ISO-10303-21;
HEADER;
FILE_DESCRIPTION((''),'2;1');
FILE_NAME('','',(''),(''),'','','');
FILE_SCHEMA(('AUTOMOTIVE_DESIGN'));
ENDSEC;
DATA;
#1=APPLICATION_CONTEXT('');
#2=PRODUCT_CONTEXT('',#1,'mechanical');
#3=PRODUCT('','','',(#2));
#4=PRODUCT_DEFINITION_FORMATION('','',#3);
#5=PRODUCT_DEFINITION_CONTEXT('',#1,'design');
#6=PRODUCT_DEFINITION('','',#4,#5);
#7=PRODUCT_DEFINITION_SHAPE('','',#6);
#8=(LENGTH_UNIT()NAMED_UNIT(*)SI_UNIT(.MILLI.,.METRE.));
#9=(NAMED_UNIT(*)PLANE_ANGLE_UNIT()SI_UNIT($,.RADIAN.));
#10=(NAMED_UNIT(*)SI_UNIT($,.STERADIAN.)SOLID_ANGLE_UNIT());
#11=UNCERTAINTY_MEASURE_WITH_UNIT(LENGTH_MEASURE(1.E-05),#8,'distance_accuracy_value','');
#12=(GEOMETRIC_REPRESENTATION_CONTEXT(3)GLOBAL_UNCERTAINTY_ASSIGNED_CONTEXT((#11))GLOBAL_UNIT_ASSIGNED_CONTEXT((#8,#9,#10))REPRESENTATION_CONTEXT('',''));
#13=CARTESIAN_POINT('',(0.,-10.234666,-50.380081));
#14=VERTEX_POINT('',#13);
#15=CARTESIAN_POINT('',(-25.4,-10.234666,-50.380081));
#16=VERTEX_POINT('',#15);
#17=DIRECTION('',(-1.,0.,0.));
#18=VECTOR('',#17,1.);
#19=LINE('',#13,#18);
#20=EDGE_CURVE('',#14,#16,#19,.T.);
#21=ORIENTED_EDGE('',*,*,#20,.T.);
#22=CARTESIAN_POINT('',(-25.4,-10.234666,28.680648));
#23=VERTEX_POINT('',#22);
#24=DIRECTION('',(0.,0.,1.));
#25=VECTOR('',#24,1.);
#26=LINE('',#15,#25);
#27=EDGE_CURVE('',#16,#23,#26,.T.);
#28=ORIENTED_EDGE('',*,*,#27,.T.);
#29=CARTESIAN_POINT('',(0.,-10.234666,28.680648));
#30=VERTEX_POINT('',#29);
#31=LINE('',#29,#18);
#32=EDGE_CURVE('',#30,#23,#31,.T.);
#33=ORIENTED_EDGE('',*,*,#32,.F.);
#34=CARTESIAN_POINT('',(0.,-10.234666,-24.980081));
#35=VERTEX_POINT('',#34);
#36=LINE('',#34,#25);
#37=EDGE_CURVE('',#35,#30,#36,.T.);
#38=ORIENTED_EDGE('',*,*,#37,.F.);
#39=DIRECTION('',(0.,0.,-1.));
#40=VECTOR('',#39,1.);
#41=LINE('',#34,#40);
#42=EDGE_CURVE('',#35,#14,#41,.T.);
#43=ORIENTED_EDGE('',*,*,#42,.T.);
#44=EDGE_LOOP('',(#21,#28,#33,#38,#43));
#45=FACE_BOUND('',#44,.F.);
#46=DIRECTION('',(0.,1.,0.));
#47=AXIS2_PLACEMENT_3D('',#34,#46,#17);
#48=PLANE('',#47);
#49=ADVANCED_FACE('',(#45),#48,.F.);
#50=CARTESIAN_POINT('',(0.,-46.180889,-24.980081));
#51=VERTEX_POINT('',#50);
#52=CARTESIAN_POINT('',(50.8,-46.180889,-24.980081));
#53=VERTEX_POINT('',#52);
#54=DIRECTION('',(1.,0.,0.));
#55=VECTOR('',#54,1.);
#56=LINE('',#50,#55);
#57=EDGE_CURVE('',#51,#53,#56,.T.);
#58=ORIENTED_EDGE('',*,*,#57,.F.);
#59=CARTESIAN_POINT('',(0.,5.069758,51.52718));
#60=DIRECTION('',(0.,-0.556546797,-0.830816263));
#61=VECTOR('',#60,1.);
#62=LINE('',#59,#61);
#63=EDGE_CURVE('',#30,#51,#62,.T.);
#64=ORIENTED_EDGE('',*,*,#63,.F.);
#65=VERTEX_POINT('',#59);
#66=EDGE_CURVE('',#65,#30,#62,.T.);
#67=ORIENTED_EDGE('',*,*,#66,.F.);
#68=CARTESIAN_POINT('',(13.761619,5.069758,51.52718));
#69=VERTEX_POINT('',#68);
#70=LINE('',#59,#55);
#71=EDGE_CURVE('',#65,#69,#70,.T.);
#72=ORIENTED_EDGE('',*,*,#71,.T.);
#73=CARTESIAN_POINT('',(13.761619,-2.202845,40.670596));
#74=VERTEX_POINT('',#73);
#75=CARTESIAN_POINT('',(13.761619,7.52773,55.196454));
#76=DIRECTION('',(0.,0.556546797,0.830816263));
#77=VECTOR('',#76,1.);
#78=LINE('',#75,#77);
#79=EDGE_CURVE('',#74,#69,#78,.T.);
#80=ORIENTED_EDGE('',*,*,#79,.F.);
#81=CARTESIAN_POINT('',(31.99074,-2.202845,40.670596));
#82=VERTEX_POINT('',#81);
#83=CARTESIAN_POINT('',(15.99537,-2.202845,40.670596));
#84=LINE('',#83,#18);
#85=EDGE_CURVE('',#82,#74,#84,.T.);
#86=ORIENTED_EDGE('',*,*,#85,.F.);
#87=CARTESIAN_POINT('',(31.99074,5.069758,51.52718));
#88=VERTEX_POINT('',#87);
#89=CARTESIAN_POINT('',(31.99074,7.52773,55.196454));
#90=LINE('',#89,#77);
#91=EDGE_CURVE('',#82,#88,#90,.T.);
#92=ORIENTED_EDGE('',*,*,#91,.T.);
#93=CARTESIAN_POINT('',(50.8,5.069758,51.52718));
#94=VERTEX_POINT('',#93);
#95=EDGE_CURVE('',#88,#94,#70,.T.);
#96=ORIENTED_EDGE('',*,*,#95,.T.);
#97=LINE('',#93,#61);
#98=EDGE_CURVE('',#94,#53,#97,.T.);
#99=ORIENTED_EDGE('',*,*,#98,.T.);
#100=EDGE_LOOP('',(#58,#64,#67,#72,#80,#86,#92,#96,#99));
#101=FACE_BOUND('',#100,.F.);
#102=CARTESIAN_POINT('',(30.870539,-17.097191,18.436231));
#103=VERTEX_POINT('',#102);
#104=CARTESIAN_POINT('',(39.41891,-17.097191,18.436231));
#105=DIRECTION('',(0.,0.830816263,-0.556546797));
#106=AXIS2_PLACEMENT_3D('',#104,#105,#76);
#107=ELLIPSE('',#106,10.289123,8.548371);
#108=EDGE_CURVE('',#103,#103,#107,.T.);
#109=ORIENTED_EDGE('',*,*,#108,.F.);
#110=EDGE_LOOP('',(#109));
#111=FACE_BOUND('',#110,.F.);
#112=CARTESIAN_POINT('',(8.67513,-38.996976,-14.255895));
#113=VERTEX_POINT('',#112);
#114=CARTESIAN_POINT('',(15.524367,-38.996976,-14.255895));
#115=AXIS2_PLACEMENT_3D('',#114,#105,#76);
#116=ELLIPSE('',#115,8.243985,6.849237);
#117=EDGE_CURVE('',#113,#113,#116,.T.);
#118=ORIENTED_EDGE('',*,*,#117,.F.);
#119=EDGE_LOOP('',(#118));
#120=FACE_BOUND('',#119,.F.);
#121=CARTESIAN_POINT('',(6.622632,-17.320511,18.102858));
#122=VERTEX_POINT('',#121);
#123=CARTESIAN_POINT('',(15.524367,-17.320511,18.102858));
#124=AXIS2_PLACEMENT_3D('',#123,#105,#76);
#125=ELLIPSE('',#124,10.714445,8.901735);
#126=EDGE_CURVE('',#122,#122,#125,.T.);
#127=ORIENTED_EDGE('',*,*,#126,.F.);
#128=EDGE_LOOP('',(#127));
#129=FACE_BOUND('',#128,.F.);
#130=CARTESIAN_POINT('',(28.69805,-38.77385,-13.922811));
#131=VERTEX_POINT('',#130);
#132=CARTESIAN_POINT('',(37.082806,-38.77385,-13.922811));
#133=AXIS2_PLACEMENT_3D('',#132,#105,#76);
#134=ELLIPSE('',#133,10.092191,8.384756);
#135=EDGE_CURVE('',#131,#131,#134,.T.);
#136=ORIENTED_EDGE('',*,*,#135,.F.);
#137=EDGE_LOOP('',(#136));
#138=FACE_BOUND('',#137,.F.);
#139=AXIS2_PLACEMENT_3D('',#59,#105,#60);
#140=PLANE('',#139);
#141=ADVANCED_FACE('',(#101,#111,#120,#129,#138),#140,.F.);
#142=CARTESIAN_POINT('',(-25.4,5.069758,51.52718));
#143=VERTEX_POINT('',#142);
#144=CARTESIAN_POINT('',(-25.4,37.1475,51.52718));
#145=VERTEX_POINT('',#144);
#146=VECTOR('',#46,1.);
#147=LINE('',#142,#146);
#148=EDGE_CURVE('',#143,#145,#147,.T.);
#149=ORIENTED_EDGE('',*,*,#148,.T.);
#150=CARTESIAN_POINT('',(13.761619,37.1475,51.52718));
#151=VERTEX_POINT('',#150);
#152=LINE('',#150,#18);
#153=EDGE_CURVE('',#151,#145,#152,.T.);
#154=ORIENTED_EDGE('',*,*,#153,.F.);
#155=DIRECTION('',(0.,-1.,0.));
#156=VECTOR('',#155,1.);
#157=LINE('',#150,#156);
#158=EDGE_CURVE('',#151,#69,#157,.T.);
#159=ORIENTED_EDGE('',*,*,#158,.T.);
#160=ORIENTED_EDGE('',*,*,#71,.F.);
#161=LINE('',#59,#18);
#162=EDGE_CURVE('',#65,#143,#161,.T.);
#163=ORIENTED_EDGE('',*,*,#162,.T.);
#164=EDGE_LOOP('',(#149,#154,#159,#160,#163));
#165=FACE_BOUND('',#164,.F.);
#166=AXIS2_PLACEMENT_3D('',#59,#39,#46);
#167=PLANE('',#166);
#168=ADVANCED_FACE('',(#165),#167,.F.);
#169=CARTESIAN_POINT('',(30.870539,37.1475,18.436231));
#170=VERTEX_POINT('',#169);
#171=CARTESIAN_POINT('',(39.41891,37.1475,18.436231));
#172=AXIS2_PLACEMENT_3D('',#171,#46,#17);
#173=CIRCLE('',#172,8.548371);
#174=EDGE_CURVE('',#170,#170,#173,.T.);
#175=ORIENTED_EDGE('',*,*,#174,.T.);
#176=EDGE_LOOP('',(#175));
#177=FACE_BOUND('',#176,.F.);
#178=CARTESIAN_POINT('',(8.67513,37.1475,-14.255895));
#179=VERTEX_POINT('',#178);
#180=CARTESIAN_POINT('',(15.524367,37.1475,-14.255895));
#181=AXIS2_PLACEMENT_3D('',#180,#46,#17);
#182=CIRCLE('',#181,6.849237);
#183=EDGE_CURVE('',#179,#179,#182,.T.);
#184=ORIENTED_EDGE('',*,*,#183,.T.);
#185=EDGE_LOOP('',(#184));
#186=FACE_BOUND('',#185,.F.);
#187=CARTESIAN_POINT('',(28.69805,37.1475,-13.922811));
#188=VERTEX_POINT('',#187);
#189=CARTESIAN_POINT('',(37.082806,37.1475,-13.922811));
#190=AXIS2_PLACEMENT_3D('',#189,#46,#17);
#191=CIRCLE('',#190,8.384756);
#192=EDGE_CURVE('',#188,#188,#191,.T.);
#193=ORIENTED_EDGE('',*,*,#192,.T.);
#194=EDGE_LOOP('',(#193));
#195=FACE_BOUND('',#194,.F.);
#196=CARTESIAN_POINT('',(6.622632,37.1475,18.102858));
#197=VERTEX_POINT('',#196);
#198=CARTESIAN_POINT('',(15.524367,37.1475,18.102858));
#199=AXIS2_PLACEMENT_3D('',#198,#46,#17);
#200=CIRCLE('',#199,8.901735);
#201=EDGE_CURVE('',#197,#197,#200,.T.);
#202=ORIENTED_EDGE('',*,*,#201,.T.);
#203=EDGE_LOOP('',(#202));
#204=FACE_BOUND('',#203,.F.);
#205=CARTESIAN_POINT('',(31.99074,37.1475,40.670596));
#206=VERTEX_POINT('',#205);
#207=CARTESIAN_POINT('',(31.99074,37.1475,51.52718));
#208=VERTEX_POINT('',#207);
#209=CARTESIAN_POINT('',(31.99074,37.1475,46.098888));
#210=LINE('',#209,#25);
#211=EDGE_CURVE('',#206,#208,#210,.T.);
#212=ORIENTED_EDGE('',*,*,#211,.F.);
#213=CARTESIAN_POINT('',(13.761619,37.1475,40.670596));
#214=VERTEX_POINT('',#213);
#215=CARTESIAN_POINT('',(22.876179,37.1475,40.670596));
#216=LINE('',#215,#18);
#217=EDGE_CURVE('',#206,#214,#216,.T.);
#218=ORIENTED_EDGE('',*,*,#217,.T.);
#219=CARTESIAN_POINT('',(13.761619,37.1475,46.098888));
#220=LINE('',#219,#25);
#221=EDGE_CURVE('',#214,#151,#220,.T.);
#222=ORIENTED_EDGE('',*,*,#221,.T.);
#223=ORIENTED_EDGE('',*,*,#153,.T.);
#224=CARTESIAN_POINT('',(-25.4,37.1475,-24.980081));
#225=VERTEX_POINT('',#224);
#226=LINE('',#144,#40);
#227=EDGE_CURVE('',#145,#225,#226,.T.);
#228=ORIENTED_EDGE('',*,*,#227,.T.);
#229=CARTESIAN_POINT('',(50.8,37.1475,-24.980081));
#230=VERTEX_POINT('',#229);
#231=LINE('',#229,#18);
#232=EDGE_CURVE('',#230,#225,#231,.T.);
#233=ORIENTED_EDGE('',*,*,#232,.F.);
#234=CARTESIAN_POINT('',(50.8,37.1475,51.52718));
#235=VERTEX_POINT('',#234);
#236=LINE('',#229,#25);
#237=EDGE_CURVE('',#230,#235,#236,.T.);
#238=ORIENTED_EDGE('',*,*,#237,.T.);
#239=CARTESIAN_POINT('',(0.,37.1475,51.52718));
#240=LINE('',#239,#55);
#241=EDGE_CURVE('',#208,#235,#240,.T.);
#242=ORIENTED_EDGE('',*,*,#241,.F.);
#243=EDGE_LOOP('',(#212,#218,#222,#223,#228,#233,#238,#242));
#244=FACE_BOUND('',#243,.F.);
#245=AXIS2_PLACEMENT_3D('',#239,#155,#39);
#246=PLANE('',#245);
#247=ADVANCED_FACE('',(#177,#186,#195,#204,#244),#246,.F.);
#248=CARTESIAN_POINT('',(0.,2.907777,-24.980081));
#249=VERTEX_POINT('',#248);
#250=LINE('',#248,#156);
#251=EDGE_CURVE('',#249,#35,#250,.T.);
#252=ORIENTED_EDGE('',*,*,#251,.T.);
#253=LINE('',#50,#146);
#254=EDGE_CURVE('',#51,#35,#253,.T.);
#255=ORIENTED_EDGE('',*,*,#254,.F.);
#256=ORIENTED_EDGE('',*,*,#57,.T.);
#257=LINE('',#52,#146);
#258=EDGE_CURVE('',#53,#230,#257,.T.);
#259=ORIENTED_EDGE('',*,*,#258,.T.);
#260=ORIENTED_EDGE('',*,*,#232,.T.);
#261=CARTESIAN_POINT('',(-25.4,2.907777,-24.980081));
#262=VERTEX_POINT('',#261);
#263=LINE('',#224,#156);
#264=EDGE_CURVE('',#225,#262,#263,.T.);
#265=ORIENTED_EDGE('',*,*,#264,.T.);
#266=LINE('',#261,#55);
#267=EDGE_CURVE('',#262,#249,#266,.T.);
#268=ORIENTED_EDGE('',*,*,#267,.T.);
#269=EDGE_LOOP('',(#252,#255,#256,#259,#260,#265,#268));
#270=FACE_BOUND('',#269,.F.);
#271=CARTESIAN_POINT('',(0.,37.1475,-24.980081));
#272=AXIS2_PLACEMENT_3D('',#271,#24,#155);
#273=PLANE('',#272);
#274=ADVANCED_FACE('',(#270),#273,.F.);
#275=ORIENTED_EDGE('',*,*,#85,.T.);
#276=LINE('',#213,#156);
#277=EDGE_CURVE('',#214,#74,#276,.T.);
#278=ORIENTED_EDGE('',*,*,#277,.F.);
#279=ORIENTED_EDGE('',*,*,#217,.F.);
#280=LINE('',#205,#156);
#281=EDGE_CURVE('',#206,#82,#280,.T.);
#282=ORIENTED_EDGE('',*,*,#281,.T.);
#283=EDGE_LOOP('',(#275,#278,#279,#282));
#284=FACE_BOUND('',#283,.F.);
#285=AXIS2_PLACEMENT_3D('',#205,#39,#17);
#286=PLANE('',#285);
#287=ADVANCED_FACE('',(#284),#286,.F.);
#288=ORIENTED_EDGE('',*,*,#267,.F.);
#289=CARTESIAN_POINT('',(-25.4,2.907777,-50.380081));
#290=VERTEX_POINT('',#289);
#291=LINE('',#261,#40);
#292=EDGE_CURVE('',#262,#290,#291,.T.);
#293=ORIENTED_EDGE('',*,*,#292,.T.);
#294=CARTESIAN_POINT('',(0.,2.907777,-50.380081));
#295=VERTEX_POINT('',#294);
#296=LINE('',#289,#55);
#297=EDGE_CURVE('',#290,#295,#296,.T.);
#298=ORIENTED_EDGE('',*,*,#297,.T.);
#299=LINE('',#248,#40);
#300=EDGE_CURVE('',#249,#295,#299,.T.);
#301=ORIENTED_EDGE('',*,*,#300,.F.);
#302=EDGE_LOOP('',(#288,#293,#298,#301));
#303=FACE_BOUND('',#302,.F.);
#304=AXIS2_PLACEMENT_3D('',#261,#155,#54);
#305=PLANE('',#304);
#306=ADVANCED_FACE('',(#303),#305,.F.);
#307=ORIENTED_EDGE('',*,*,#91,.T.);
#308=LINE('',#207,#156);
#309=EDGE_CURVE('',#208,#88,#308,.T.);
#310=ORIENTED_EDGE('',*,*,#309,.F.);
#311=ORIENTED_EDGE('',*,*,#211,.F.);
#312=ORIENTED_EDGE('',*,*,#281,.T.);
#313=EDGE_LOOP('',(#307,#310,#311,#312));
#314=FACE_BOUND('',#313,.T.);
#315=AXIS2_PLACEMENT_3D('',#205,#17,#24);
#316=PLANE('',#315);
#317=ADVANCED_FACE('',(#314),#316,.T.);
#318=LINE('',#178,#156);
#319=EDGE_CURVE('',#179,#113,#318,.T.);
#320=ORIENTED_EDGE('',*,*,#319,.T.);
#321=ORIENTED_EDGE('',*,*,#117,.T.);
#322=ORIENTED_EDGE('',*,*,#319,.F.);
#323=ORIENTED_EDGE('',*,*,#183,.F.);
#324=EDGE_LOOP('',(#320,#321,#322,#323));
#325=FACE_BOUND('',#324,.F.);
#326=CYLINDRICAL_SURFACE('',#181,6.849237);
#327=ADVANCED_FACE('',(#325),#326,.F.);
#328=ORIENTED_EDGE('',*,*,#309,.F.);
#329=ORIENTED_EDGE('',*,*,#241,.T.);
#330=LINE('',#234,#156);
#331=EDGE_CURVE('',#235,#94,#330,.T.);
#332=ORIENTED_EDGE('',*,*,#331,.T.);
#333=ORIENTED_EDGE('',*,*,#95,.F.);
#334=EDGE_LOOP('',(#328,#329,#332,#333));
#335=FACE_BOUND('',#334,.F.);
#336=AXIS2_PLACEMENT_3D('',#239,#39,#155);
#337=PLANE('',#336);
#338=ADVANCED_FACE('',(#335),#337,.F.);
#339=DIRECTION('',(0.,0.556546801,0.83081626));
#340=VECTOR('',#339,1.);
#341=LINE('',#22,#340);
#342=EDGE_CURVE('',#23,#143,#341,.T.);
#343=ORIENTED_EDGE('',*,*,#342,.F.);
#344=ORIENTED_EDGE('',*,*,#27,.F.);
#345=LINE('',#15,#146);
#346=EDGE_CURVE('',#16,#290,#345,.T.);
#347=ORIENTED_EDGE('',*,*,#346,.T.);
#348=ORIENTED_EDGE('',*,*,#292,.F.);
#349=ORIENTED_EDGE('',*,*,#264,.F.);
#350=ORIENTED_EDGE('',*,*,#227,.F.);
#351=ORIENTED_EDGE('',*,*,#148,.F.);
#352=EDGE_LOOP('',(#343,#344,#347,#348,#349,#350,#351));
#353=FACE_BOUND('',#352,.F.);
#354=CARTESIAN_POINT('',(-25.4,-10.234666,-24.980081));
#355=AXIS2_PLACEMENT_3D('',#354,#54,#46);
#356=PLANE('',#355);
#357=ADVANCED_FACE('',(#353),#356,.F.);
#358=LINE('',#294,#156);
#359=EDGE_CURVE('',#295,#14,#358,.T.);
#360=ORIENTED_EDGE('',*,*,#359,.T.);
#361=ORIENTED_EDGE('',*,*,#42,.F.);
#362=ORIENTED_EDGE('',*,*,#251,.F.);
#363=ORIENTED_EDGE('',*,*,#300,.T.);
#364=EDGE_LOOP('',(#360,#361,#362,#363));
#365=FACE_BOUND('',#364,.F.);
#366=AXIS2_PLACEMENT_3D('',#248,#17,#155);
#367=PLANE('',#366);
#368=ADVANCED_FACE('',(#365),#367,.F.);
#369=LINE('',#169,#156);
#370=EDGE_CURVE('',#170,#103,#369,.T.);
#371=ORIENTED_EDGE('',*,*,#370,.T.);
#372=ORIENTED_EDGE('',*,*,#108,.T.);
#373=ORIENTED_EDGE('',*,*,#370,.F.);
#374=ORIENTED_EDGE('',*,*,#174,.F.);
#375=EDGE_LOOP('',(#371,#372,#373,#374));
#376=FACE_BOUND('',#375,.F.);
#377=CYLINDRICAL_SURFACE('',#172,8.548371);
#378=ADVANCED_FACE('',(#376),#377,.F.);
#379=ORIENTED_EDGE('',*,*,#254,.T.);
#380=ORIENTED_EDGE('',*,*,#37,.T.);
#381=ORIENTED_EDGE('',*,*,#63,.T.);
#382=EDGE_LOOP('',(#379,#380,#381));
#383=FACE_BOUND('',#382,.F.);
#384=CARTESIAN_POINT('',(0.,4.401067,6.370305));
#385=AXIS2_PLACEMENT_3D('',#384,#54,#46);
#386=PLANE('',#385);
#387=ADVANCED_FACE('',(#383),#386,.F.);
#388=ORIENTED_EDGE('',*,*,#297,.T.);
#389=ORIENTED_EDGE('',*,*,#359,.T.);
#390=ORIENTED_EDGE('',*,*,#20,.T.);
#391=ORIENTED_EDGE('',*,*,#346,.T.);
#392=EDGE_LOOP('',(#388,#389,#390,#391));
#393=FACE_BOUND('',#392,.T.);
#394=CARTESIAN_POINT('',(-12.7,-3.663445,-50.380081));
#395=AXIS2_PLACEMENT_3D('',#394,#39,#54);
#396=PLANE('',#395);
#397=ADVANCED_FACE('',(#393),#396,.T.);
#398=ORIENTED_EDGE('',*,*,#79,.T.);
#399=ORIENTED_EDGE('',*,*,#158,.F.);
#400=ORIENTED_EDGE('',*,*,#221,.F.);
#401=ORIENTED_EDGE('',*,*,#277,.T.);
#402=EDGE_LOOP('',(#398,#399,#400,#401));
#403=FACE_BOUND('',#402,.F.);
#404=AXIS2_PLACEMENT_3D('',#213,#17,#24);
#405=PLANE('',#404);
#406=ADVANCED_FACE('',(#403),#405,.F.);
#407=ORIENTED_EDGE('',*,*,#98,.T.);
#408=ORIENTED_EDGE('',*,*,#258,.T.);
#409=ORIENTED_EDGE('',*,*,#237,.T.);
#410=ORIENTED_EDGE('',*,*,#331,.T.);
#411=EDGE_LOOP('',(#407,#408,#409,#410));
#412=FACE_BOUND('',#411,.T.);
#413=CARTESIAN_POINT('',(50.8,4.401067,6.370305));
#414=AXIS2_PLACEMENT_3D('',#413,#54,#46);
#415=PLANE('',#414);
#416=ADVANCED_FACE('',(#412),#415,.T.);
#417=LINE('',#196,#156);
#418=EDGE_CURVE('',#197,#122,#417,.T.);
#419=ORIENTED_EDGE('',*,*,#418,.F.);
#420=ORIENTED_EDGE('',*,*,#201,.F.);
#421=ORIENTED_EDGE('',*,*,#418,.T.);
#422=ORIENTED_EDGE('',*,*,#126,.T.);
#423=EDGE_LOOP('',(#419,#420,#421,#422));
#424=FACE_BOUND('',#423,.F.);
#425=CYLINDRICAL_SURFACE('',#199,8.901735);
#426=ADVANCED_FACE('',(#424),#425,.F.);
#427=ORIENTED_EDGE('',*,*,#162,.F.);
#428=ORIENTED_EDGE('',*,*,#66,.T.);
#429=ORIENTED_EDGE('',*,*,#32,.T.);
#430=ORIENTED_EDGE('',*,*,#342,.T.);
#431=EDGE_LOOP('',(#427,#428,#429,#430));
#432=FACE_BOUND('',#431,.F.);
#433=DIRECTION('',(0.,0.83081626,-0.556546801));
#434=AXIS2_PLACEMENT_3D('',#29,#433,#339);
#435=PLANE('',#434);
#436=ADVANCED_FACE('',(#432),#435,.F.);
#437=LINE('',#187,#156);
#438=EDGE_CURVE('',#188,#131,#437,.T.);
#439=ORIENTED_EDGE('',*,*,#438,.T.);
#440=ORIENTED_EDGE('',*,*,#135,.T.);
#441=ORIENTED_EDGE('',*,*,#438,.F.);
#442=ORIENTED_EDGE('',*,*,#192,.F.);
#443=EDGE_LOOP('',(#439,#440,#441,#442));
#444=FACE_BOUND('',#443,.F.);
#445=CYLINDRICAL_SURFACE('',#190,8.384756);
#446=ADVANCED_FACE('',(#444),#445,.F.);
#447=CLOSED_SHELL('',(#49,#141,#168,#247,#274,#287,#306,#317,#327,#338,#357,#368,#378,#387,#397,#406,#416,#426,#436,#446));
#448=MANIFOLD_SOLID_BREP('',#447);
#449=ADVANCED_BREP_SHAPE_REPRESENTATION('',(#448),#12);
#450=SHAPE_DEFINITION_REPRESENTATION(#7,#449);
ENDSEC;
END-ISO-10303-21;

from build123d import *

# Parameters (mm, degrees)
F1_DEPTH = 50.8
F2_W     = 18.229121
F2_H     = 10.856584
F3_DEPTH = 63.5
F4_R     = 8.548371
F4_R_2   = 8.901735
F4_R_3   = 6.849237
F4_R_4   = 8.384756
F5_DEPTH = 109.474
F7_DEPTH = 25.4
F9_DEPTH = 25.4


with BuildPart() as f1:
    # F0 (on Right) → F1 (new body)
    with BuildSketch(Plane.YZ):
        Polygon((-46.180889, -24.980081), (37.1475, -24.980081), (37.1475, 51.52718), (5.069758, 51.52718), align=None)
    extrude(amount=F1_DEPTH)

    # F2 (on face) → F3 (cut)
    with BuildSketch(Plane(origin=(0, 37.1475, 0), x_dir=(-1, 0, 0), z_dir=(0, 1, 0))):
        with Locations((-22.876179, 46.098888)):
            Rectangle(F2_W, F2_H)
    extrude(amount=-F3_DEPTH, mode=Mode.SUBTRACT)

    # F4 (on face) → F5 (cut)
    with BuildSketch(Plane(origin=(0, 37.1475, 0), x_dir=(-1, 0, 0), z_dir=(0, 1, 0))):
        with Locations((-39.41891, 18.436231)):
            Circle(F4_R)
        with Locations((-15.524367, 18.102858)):
            Circle(F4_R_2)
        with Locations((-15.524367, -14.255895)):
            Circle(F4_R_3)
        with Locations((-37.082806, -13.922811)):
            Circle(F4_R_4)
    extrude(amount=-F5_DEPTH, mode=Mode.SUBTRACT)

    # F6 (on face) → F7 (join)
    with BuildSketch(Plane(origin=(0, 0, 0), x_dir=(0, -1, 0), z_dir=(-1, 0, 0))):
        Polygon((-5.069758, 51.52718), (-37.1475, 51.52718), (-37.1475, -24.980081), (10.234666, -24.980081), (10.234666, 28.680648), align=None)
    extrude(amount=F7_DEPTH)

    # F8 (on face) → F9 (join)
    with BuildSketch(Plane(origin=(0, 0, -24.980081), x_dir=(1, 0, 0), z_dir=(0, 0, -1))):
        Polygon((-25.4, 10.234666), (-25.4, -2.907777), (0, -2.907777), (0, 10.234666), (-21.744397, 10.234666), align=None)
    extrude(amount=F9_DEPTH)


solid = f1.part
